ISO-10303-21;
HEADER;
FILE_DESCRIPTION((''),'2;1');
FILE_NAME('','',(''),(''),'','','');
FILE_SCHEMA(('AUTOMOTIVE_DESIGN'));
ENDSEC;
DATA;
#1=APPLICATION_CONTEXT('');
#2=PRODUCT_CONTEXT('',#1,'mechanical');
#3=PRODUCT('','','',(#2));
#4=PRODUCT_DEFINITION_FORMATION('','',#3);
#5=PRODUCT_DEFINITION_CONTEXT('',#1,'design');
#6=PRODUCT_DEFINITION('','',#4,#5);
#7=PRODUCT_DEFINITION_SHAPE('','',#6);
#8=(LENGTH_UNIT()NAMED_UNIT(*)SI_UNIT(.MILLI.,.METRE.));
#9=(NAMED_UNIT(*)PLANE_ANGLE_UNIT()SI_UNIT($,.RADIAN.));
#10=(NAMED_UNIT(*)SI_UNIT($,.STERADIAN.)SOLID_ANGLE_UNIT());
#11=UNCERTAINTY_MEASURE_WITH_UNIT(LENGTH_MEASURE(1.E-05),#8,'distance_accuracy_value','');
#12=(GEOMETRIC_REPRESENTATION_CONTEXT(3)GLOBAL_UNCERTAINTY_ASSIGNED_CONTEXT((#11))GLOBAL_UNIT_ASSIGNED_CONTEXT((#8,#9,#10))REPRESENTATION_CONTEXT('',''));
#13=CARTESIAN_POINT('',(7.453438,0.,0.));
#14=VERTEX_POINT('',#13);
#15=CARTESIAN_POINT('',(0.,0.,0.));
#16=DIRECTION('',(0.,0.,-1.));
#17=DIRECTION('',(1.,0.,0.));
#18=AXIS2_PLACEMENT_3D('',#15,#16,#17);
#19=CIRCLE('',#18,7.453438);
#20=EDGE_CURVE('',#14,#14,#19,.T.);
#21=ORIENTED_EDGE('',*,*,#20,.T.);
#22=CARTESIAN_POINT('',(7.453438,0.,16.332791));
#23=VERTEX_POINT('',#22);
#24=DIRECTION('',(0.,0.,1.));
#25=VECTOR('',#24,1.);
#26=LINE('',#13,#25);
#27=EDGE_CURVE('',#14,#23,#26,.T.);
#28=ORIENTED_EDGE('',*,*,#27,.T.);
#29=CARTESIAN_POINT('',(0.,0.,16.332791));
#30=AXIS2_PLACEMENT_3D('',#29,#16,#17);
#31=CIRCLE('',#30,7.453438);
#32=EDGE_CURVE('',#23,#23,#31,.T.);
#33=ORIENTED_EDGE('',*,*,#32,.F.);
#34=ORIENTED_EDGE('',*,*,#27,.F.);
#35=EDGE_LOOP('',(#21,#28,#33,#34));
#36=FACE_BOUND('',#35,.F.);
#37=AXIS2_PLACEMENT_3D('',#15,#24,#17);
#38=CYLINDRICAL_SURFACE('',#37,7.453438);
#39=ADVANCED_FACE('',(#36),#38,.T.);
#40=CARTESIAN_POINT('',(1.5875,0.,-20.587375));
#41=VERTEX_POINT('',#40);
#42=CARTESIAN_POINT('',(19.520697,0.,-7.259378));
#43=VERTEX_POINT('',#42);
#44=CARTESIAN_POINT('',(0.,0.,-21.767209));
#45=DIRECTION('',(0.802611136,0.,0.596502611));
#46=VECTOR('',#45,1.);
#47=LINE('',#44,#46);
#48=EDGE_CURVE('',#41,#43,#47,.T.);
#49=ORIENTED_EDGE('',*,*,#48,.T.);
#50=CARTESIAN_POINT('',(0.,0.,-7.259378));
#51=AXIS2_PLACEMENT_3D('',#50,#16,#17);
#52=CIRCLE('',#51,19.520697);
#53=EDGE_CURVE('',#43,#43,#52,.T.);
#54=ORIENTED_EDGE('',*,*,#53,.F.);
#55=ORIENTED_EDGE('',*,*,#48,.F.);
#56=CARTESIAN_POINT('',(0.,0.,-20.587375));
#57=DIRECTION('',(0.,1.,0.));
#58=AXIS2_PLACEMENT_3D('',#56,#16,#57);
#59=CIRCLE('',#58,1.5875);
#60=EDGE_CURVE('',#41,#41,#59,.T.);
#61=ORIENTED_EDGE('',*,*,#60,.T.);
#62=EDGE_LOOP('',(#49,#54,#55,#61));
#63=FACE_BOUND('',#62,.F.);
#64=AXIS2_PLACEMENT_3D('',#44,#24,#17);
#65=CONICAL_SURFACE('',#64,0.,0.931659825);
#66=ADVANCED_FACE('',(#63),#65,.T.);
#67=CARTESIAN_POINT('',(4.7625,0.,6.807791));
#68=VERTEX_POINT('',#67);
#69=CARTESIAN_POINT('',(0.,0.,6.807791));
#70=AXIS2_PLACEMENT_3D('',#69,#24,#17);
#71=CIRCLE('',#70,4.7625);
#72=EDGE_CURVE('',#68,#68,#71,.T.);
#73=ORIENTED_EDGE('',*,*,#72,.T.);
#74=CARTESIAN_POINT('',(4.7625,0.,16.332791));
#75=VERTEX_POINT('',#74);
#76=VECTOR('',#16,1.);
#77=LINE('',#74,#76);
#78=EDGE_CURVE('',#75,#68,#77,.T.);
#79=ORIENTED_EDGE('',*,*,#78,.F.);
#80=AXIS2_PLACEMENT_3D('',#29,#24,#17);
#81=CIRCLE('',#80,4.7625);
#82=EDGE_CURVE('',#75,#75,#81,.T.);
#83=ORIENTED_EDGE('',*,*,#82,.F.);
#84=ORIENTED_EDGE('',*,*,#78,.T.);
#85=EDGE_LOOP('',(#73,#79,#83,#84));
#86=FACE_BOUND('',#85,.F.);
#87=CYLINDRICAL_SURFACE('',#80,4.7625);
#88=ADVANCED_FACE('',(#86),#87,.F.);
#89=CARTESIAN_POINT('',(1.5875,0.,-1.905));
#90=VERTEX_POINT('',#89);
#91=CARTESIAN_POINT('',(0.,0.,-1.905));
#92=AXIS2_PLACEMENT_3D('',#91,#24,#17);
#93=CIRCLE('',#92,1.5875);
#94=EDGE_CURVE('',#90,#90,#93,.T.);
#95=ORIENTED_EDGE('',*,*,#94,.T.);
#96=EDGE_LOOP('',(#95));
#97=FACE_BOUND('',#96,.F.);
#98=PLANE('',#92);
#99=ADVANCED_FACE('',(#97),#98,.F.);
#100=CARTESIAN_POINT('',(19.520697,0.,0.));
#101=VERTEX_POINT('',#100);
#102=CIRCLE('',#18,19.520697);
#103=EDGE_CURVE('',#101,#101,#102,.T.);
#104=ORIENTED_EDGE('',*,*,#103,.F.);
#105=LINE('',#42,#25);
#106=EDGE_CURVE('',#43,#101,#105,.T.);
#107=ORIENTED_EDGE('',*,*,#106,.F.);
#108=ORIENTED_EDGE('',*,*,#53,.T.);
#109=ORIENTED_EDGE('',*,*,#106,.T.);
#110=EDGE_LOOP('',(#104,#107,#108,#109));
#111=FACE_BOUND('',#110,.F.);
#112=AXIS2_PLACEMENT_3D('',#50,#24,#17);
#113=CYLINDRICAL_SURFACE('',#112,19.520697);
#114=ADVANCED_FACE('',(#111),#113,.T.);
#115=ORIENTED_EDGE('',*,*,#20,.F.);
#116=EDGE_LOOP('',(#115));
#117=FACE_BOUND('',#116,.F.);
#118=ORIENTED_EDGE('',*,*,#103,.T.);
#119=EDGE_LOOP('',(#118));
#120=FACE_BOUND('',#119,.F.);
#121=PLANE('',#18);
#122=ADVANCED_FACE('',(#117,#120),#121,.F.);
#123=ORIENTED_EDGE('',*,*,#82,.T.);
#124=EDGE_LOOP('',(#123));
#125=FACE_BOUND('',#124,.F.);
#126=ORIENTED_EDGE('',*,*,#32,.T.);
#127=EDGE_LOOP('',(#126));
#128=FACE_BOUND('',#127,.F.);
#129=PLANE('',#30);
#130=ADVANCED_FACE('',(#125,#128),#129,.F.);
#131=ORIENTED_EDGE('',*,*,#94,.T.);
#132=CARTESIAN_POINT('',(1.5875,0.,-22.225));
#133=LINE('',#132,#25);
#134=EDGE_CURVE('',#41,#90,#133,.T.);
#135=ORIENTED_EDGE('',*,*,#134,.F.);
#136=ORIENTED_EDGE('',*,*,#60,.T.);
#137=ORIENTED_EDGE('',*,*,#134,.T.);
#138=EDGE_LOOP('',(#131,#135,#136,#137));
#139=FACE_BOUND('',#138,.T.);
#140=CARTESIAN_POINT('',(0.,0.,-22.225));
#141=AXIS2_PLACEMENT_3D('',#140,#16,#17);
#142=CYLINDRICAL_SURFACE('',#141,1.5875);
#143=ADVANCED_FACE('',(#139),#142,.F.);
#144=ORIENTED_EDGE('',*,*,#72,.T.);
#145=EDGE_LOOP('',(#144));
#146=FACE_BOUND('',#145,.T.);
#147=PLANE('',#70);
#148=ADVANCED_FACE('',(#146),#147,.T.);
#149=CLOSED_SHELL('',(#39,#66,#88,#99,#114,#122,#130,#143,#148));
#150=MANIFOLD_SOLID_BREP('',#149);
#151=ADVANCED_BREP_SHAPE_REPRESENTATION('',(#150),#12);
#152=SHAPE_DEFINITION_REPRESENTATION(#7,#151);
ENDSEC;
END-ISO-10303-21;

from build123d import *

# Parameters (mm, degrees)
F2_R     = 4.7625
F3_DEPTH = 9.525
F5_R     = 1.5875
F6_DEPTH = 20.32


with BuildPart() as f1:
    # F0 (on Front) → F1 (revolve)
    with BuildSketch(Plane.XZ):
        Polygon((7.453438, 16.332791), (0, 16.332791), (0, -21.767209), (19.520697, -7.259378), (19.520697, 0), (7.453438, 0), align=None)
    revolve(axis=Axis((0, 0, -2.717209), (0, 0, -1)))

    # F2 (on face) → F3 (cut)
    with BuildSketch(Plane.XY.offset(16.332791)):
        Circle(F2_R)
    extrude(amount=-F3_DEPTH, mode=Mode.SUBTRACT)

    # F5 (on offset) → F6 (cut)
    with BuildSketch(Plane.XY.offset(-22.225)):
        Circle(F5_R)
    extrude(amount=F6_DEPTH, mode=Mode.SUBTRACT)


solid = f1.part
